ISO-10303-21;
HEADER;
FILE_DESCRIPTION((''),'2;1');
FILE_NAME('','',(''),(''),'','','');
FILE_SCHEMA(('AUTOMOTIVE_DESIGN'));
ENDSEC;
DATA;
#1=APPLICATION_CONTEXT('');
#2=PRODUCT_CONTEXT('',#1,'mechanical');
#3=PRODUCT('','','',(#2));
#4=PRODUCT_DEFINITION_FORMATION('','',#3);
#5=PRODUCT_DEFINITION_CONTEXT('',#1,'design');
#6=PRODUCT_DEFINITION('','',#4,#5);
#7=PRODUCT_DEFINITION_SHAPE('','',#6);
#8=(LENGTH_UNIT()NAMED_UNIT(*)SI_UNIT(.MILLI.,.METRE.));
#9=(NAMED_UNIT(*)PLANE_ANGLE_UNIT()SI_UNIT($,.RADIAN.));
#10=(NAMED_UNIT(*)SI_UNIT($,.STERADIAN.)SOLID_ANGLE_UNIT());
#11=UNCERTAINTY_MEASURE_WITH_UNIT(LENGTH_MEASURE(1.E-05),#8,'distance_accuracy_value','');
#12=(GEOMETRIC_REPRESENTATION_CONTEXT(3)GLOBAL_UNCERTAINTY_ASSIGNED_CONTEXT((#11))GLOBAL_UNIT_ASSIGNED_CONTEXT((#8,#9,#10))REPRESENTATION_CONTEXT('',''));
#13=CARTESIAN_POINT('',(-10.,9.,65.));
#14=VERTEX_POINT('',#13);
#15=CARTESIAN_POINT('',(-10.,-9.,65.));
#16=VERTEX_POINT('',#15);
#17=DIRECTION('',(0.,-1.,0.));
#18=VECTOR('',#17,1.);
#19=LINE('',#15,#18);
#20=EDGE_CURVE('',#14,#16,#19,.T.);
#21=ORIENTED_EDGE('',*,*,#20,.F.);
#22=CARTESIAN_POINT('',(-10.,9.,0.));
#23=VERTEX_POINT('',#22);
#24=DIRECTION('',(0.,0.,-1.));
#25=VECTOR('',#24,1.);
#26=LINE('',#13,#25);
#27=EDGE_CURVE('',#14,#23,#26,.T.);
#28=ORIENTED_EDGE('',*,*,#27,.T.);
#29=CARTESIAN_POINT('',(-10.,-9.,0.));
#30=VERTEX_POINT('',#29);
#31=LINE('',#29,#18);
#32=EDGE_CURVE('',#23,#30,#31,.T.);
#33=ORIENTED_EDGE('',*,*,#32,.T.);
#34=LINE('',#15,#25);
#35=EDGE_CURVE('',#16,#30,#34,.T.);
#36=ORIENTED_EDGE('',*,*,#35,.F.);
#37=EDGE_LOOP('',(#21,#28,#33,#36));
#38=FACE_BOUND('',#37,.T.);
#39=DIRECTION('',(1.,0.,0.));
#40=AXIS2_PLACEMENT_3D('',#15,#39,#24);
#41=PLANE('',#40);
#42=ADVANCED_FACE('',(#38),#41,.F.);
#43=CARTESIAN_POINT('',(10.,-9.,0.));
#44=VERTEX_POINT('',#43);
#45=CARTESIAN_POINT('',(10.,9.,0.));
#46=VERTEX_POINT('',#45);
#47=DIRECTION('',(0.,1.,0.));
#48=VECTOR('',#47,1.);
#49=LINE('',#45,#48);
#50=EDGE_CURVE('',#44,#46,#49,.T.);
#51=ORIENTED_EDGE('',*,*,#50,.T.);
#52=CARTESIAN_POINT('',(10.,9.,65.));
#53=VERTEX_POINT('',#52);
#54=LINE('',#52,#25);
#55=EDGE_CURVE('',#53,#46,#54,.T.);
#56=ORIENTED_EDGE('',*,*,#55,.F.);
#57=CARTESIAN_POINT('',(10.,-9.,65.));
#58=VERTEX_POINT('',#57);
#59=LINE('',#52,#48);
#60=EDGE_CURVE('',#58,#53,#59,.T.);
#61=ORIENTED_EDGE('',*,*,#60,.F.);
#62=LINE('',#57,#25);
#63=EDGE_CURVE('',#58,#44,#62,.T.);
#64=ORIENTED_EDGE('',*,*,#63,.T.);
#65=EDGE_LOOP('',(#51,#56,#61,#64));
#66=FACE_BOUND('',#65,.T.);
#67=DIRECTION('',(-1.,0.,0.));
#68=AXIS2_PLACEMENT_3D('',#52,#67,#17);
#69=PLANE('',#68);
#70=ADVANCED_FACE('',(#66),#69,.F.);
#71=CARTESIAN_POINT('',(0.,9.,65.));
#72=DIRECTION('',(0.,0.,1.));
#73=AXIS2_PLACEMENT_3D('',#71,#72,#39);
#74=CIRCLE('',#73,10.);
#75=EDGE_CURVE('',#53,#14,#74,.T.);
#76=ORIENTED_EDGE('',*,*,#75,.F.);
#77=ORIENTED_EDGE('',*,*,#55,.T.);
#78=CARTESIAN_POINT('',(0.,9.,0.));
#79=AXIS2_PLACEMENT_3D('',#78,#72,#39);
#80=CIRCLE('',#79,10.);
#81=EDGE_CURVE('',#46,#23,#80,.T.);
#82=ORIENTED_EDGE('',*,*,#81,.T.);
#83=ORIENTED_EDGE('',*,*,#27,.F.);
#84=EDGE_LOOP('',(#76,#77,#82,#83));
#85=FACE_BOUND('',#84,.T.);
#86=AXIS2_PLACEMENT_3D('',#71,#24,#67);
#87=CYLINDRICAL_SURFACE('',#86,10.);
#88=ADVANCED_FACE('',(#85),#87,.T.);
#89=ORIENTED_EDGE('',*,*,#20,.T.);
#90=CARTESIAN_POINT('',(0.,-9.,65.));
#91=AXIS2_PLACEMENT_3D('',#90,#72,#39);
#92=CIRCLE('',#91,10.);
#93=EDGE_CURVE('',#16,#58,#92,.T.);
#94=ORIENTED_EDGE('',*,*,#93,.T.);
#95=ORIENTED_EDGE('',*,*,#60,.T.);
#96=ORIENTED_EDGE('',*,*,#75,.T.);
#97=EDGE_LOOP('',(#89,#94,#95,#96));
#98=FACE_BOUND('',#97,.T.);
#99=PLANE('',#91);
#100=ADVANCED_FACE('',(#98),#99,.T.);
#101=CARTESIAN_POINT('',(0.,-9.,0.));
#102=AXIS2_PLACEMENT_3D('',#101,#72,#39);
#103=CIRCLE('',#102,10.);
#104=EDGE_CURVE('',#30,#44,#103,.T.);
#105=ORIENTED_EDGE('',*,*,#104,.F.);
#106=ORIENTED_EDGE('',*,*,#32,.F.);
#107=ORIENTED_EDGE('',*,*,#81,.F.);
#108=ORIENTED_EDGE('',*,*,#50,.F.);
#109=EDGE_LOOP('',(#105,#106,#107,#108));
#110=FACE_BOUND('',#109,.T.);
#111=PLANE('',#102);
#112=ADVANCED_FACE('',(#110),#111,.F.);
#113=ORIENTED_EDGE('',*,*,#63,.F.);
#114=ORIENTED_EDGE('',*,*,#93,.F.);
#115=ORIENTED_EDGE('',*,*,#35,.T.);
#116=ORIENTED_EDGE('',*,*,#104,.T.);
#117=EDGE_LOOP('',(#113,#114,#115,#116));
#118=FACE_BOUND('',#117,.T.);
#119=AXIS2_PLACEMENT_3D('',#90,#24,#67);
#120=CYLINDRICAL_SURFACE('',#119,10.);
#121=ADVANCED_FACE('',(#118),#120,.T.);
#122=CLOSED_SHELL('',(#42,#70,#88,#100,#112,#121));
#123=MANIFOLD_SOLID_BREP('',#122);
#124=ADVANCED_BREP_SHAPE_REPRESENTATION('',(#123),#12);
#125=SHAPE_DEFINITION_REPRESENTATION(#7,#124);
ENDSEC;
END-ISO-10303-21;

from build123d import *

# Parameters (mm, degrees)
EXTRUDE_1_DEPTH = 65


with BuildPart() as part:
    # 草图1 → 凸台-拉伸1 (new body)
    with BuildSketch(Plane.XY):
        with BuildLine():
            Line((10, 9), (10, -9))
            ThreePointArc((10, -9), (0, -19), (-10, -9))
            Line((-10, -9), (-10, 9))
            ThreePointArc((-10, 9), (0, 19), (10, 9))
        make_face()
    extrude(amount=EXTRUDE_1_DEPTH)


solid = part.part
